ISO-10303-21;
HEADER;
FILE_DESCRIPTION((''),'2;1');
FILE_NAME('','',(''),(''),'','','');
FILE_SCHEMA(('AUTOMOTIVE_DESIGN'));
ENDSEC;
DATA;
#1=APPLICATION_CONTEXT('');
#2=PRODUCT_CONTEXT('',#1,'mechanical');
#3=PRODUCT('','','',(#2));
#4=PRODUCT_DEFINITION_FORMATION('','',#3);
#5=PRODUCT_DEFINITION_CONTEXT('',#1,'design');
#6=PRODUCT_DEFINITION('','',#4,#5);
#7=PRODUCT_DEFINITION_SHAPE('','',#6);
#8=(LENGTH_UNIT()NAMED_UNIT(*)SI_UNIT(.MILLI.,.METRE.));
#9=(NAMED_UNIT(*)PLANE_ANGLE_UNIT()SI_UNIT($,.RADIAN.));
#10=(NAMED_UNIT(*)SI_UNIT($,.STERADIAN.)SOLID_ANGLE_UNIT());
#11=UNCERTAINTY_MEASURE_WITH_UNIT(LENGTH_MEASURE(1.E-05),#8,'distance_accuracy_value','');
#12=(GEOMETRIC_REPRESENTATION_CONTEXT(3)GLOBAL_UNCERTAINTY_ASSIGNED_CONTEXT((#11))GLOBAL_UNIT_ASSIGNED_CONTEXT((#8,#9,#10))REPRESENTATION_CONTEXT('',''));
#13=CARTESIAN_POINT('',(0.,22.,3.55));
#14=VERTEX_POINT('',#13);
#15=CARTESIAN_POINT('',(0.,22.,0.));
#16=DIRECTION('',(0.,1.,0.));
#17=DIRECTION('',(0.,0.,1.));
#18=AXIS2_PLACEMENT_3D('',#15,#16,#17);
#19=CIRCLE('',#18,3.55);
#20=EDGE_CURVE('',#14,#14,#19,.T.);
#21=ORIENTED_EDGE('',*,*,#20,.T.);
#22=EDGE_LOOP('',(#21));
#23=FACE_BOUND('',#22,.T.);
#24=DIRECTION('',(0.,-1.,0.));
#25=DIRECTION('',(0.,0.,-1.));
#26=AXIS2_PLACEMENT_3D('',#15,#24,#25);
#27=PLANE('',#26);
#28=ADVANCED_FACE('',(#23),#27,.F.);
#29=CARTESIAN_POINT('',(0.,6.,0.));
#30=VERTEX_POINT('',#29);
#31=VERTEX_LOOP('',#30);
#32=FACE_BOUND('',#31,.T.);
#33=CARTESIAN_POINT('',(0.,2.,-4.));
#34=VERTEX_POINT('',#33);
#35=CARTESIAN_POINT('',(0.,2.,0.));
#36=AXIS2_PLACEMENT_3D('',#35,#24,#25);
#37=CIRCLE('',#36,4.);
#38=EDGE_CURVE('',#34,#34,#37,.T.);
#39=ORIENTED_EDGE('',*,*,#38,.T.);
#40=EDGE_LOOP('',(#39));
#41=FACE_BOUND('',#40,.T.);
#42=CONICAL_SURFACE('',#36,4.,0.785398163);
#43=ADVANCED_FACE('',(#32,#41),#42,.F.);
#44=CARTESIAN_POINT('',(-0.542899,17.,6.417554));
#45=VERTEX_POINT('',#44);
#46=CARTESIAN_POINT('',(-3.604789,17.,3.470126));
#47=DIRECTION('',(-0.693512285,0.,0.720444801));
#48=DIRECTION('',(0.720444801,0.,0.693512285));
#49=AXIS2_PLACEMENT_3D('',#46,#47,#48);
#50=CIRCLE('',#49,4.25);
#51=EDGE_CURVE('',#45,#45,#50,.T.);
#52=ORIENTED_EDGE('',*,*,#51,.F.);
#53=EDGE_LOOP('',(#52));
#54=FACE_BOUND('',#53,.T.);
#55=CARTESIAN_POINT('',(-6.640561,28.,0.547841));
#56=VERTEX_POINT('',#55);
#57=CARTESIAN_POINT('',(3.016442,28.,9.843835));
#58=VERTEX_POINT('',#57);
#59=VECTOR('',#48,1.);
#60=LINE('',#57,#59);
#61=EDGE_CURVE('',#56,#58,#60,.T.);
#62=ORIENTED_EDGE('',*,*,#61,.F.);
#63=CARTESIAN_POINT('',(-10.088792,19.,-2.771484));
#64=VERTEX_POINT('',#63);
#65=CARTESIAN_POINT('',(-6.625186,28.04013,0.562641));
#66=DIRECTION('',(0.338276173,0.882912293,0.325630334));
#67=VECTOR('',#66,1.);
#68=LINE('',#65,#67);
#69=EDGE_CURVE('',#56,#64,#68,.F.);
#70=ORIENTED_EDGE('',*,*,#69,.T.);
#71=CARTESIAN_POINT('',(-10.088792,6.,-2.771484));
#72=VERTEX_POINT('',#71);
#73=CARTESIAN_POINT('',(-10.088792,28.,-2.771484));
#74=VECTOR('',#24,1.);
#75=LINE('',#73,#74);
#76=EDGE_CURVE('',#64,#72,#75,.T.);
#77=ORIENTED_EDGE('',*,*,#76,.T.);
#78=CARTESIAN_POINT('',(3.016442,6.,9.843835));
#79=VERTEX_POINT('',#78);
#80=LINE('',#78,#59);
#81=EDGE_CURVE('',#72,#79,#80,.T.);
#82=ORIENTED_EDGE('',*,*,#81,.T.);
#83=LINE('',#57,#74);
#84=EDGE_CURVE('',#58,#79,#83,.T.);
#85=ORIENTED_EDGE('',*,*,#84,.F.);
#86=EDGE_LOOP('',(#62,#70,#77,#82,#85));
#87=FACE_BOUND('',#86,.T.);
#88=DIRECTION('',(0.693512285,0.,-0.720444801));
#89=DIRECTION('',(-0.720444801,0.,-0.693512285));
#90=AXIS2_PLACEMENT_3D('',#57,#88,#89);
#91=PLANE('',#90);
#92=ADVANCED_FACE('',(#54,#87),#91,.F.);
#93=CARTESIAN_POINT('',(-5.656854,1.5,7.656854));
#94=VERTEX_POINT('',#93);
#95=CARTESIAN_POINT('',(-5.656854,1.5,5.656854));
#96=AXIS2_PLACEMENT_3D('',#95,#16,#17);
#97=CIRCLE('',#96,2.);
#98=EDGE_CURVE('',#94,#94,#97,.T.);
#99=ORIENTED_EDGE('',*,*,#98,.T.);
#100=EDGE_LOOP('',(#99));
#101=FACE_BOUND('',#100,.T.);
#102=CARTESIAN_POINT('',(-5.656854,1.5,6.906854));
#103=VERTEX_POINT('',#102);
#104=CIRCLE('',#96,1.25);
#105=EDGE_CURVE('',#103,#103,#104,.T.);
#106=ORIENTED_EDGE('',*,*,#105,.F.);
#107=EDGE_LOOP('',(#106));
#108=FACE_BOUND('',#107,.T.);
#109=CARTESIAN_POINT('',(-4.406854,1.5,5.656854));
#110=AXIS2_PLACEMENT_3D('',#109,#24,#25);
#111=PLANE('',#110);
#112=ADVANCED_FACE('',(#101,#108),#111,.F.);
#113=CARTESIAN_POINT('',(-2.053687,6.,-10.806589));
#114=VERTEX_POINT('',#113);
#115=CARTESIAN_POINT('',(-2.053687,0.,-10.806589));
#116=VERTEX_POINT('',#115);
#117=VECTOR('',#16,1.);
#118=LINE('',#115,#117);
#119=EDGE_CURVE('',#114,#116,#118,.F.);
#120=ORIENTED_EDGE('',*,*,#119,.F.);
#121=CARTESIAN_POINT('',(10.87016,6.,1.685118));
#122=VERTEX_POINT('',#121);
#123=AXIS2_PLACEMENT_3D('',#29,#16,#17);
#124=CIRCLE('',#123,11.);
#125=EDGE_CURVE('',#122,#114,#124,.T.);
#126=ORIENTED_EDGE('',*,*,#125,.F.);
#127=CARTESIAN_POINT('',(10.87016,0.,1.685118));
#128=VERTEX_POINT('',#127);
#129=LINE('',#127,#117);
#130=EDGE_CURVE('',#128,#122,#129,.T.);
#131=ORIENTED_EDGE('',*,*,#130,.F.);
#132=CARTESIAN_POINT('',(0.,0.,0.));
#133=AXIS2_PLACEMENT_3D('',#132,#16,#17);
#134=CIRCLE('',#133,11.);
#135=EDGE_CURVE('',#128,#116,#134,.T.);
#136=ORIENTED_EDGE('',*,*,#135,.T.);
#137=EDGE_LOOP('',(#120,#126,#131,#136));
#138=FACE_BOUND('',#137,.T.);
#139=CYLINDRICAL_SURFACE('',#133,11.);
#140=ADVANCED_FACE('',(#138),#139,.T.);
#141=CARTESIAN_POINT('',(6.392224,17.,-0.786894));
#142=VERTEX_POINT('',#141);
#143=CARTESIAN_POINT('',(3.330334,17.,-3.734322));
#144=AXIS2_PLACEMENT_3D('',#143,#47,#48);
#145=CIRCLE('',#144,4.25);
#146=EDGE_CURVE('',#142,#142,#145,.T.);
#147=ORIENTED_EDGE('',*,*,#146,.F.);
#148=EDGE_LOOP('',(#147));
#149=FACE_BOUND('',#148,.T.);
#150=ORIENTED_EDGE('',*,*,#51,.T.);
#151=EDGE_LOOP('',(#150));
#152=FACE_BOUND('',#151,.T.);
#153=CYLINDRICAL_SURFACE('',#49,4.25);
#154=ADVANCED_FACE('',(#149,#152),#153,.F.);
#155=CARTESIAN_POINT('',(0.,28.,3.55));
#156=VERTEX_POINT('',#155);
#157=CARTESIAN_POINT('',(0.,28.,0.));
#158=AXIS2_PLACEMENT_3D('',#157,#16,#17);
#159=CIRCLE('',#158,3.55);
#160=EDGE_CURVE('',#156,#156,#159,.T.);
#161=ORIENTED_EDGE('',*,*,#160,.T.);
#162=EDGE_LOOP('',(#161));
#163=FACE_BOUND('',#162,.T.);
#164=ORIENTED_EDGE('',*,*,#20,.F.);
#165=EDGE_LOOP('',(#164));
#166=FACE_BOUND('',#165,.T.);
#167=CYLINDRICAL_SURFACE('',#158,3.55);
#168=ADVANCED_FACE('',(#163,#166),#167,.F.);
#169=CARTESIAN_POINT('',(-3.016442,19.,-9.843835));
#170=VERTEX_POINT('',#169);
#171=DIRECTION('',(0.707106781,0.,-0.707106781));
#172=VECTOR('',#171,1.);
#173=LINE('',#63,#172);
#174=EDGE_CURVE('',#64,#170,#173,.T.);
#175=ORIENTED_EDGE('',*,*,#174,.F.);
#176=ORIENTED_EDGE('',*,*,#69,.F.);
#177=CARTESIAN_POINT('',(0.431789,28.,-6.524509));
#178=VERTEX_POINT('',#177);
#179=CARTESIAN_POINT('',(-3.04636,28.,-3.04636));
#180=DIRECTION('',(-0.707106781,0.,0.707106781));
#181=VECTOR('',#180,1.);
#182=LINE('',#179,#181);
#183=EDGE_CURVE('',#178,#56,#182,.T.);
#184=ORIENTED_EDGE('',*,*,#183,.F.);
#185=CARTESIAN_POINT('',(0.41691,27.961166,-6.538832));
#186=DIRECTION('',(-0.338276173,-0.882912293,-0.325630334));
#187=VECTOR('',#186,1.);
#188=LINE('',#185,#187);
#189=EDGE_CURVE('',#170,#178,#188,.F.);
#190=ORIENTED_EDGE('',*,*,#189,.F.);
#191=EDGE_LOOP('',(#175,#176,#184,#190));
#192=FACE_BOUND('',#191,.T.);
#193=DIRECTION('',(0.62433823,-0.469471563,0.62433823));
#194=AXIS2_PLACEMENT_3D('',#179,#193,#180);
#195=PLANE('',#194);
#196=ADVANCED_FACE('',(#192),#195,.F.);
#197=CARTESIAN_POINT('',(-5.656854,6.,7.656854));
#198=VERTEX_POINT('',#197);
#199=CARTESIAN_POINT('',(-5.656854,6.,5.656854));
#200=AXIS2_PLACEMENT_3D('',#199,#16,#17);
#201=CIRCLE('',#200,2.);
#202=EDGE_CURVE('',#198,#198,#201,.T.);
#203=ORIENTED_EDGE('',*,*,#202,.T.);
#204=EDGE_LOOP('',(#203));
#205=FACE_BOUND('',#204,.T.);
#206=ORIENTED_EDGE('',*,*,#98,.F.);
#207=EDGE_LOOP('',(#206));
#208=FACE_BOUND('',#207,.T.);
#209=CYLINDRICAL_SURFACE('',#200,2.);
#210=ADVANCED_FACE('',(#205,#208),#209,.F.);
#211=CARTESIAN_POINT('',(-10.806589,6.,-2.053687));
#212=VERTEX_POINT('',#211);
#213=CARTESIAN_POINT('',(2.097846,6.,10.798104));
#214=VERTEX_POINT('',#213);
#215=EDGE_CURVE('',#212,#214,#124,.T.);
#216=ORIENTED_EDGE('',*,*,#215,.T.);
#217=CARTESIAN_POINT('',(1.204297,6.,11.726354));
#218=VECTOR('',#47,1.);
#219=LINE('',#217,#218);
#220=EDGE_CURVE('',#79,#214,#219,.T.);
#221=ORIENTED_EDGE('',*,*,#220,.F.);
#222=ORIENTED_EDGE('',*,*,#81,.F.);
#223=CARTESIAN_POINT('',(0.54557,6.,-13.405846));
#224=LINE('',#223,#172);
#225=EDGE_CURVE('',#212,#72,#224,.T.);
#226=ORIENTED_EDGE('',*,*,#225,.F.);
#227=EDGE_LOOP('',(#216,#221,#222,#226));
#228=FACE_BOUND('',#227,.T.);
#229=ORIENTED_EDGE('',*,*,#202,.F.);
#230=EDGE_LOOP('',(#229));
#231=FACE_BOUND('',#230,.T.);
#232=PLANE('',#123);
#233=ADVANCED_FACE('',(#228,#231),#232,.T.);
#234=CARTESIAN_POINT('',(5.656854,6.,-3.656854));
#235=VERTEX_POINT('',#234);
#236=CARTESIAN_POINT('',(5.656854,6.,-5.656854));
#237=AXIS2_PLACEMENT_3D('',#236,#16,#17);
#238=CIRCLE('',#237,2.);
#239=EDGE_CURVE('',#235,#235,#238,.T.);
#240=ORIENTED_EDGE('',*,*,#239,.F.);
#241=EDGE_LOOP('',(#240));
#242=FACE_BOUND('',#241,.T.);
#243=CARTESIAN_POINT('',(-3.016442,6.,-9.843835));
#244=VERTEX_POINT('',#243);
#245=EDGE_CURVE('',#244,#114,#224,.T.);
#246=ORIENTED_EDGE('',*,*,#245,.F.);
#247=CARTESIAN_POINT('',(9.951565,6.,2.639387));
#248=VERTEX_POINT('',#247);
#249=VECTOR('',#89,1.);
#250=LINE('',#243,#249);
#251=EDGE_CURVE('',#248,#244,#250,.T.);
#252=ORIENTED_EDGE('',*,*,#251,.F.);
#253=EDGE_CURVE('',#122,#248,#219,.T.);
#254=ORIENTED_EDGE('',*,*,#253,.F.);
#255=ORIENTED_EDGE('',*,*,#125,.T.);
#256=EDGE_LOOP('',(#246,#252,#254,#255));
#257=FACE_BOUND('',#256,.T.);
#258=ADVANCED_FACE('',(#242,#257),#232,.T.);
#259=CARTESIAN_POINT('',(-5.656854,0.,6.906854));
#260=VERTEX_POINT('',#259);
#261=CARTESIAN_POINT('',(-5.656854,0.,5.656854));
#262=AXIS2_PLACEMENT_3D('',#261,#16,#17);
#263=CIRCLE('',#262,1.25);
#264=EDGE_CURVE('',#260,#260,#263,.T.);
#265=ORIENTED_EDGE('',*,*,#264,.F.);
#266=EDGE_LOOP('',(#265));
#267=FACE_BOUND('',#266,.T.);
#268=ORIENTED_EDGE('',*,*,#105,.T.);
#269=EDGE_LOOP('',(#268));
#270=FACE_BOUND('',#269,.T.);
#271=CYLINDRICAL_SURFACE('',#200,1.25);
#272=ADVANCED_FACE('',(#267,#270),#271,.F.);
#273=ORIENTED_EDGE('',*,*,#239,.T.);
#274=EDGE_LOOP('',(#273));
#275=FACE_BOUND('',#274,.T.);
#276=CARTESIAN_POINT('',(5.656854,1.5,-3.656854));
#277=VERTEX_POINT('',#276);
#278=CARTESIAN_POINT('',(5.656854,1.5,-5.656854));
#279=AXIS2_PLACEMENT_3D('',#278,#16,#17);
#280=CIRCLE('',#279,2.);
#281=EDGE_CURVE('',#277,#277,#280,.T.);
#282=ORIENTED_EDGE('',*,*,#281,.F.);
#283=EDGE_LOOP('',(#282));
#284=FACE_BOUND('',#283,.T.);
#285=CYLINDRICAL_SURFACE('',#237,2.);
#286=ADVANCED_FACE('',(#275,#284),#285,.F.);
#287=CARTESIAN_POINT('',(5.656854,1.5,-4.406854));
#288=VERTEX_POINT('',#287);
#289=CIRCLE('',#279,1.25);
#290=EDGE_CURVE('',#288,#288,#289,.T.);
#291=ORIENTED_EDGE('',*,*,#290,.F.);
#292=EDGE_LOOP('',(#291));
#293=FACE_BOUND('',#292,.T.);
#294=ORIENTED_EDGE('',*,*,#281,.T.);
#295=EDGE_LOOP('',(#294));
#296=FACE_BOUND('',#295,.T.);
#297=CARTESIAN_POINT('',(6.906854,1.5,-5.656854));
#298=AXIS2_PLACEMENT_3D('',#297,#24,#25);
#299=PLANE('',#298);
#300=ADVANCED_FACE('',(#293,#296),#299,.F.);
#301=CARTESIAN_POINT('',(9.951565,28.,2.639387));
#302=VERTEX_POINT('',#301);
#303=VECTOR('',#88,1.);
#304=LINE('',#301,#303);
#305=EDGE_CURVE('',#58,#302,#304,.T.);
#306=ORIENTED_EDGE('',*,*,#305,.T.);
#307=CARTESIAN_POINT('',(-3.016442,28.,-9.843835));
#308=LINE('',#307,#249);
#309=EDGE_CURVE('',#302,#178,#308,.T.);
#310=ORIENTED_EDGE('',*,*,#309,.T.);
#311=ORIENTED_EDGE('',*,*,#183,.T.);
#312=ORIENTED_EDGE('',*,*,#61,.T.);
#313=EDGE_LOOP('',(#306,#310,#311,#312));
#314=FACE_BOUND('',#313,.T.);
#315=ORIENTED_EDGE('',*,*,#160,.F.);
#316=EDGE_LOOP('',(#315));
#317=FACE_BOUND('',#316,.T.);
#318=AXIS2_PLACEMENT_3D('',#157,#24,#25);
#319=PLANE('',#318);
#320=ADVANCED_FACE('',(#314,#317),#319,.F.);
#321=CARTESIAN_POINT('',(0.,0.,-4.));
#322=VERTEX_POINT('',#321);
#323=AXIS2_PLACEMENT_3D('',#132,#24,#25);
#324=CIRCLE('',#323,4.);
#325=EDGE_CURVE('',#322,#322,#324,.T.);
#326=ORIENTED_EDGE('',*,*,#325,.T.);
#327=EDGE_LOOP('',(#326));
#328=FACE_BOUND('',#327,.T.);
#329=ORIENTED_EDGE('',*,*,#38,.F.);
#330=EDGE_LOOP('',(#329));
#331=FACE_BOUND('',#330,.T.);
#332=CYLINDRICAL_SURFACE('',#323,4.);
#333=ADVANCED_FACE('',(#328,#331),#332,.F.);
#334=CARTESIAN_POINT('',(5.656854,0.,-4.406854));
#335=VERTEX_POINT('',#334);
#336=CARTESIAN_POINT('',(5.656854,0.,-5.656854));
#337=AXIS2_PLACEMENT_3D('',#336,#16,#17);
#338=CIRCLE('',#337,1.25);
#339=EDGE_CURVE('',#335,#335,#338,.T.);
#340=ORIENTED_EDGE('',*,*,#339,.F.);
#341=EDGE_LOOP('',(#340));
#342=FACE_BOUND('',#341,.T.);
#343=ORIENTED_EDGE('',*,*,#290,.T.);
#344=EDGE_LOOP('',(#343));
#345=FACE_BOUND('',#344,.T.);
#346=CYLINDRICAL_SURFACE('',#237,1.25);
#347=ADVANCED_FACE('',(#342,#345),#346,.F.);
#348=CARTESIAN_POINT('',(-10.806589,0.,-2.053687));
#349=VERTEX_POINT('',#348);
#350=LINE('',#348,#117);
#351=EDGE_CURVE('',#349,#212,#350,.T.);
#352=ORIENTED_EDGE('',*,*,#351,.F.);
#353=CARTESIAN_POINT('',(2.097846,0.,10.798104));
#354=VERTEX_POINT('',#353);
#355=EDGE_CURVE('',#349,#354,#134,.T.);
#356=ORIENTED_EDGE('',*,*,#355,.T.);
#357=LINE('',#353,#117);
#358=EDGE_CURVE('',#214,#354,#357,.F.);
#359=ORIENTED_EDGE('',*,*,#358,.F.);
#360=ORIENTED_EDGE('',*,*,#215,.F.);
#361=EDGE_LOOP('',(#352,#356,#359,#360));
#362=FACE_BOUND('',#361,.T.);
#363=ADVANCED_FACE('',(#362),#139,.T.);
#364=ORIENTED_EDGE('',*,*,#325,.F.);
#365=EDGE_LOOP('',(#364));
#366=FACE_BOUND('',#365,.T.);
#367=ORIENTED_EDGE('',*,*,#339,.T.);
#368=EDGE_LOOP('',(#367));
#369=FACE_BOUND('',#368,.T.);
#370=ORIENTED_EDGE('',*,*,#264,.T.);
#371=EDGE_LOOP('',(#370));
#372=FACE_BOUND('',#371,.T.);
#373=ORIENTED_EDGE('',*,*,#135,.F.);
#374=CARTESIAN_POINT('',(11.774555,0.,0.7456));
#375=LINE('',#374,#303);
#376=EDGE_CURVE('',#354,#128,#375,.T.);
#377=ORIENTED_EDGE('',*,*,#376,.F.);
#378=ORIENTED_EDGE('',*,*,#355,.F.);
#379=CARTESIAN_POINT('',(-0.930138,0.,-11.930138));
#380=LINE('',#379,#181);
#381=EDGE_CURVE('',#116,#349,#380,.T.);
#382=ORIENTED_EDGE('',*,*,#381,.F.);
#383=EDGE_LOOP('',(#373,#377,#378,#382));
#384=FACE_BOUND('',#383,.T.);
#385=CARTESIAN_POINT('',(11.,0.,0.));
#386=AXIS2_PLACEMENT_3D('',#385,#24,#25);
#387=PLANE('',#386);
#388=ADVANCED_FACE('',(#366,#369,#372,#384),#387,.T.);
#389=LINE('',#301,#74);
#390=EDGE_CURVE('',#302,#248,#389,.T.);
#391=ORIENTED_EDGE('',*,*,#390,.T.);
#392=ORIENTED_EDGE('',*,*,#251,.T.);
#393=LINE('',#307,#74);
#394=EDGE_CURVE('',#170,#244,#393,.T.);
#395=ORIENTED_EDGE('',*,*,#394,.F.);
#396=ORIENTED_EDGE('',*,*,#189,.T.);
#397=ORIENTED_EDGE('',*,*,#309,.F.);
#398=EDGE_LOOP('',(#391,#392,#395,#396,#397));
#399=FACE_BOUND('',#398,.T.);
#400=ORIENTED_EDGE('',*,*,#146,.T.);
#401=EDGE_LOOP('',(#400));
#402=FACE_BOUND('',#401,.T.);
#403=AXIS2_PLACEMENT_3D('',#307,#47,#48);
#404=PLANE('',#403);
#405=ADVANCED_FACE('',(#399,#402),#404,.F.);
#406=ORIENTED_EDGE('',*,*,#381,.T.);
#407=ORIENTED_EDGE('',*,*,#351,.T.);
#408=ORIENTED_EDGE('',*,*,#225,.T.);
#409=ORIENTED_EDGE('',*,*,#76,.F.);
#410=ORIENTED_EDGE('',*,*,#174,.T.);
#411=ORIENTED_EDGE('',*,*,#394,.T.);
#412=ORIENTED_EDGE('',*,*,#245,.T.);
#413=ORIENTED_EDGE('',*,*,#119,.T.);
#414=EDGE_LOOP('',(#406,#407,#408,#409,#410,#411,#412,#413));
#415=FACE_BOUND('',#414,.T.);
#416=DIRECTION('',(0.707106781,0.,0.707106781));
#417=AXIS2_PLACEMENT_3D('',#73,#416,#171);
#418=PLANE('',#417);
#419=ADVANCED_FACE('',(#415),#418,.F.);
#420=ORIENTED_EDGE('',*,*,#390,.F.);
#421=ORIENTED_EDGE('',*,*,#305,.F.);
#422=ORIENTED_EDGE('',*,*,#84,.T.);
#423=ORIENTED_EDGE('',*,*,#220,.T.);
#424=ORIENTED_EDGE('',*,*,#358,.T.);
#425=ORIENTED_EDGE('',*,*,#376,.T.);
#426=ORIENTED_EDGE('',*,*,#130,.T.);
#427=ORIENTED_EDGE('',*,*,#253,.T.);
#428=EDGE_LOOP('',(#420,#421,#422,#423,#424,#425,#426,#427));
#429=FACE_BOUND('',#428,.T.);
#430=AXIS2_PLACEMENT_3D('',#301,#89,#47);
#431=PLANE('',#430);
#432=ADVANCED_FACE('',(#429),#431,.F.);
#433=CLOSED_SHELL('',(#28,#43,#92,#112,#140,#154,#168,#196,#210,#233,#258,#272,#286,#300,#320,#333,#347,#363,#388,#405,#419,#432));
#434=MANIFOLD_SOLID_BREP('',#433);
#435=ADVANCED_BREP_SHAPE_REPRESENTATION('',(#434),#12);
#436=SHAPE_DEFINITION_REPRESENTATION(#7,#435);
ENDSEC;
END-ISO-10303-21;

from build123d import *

# Parameters (mm, degrees)
ESQUISSE1_W                                        = 11
ESQUISSE1_H                                        = 6
BOSS_EXTRU_1_DEPTH                                 = 22
DIAM_TRE_DU_PER_AGE_7_1_7_1_1_D                    = 7.1
DIAM_TRE_DU_PER_AGE_7_1_7_1_1_DEPTH                = 6
DIAM_TRE_DU_PER_AGE_8_5_8_5_1_D                    = 8.5
CHAMBRAGE_POUR_VIS_T_TE_HEXAGONALE_M21_D           = 2.5
CHAMBRAGE_POUR_VIS_T_TE_HEXAGONALE_M21_CBORE_D     = 4
CHAMBRAGE_POUR_VIS_T_TE_HEXAGONALE_M21_CBORE_DEPTH = 4.5
DIAM_TRE_DU_PER_AGE_8_0_8_1_D                      = 8
DIAM_TRE_DU_PER_AGE_8_0_8_1_DEPTH                  = 2
DIAM_TRE_DU_PER_AGE_8_0_8_1_TIP                    = 4
CHANFREIN1_SIZE                                    = 9
CHANFREIN1_SIZE2                                   = 4.785384885
ENL_V_MAT_EXTRU_1_DEPTH                            = 10


with BuildPart() as part:
    # Esquisse1 → Révolution1 (revolve)
    with BuildSketch(Plane(origin=(0, 0, 0), x_dir=(-1, 0, 0), z_dir=(0, 0, -1)), mode=Mode.PRIVATE) as r_volution1_sk:
        with Locations((-5.5, 3)):
            Rectangle(ESQUISSE1_W, ESQUISSE1_H)
    revolve(r_volution1_sk.sketch.rotate(Axis((0, 0, 0), (0, 1, 0)), 270), axis=Axis((0, 0, 0), (0, 1, 0)))

    # Esquisse2 → Boss.-Extru.1 (add)
    with BuildSketch(Plane(origin=(0, 6, 0), x_dir=(-1, 0, 0), z_dir=(0, 1, 0))):
        Polygon((-9.95156463, 2.63938656), (-3.016441782, 9.843834567), (10.088792211, -2.771484138), (3.016441782, -9.843834567), align=None)
    extrude(amount=BOSS_EXTRU_1_DEPTH)

    # Diamètre du perçage Ø7.1 (7.1)1
    with Locations(Plane(origin=(0, 28, 0), x_dir=(1, 0, 0), z_dir=(0, 1, 0))):
        with Locations((0, 0)):
            Hole(DIAM_TRE_DU_PER_AGE_7_1_7_1_1_D / 2, depth=DIAM_TRE_DU_PER_AGE_7_1_7_1_1_DEPTH)

    # Diamètre du perçage Ø8.5 (8.5)1 (through all)
    with Locations(Plane(origin=(-3.467561424, 0, 3.602224003), x_dir=(0.7204448006982934, 0, 0.6935122847843406), z_dir=(-0.6935122847843406, 0, 0.7204448006982934))):
        with Locations((-0.19047619, 17)):
            Hole(DIAM_TRE_DU_PER_AGE_8_5_8_5_1_D / 2)

    # Chambrage pour vis à tête hexagonale M21 (through all)
    with Locations(Plane(origin=(0, 6, 0), x_dir=(1, 0, 0), z_dir=(0, 1, 0))):
        with Locations((5.656854249, 5.656854249), (-5.656854249, -5.656854249)):
            CounterBoreHole(CHAMBRAGE_POUR_VIS_T_TE_HEXAGONALE_M21_D / 2, CHAMBRAGE_POUR_VIS_T_TE_HEXAGONALE_M21_CBORE_D / 2, CHAMBRAGE_POUR_VIS_T_TE_HEXAGONALE_M21_CBORE_DEPTH)

    # Diamètre du perçage Ø8.0 (8)1
    with Locations(Plane(origin=(0, 0, 0), x_dir=(-1, 0, 0), z_dir=(0, -1, 0))):
        with Locations((0, 0)):
            Hole(DIAM_TRE_DU_PER_AGE_8_0_8_1_D / 2, depth=DIAM_TRE_DU_PER_AGE_8_0_8_1_DEPTH)
            with Locations((0, 0, -(DIAM_TRE_DU_PER_AGE_8_0_8_1_DEPTH + DIAM_TRE_DU_PER_AGE_8_0_8_1_TIP / 2))):  # 90° drill point
                Cone(0, DIAM_TRE_DU_PER_AGE_8_0_8_1_D / 2, DIAM_TRE_DU_PER_AGE_8_0_8_1_TIP, mode=Mode.SUBTRACT)

    # Chanfrein1
    chanfrein1_edges = [part.edges().sort_by_distance(p)[0] for p in [
        (-6.552616997, 28, -6.307659352),
    ]]
    chanfrein1_side = [part.faces().sort_by_distance(p)[0] for p in [
        (-6.552616997, 17, -6.307659352),
    ]]
    chamfer(chanfrein1_edges, length=CHANFREIN1_SIZE, length2=CHANFREIN1_SIZE2, reference=chanfrein1_side[0])

    # Esquisse11 → Enlèv. mat.-Extru.1 (cut)
    with BuildSketch(Plane(origin=(0, 6, 0), x_dir=(1, 0, 0), z_dir=(0, 1, 0))):
        Polygon((1.20429729, -11.726353602), (11.620583405, -0.905551522), (15.545873169, -4.684101481), (5.129587053, -15.504903562), align=None)
        Polygon((0.545569668, 13.405846017), (-12.47793973, 0.382336619), (-16.03995118, 3.944348069), (-3.016441782, 16.967857467), align=None)
    extrude(amount=-ENL_V_MAT_EXTRU_1_DEPTH, mode=Mode.SUBTRACT)


solid = part.part
